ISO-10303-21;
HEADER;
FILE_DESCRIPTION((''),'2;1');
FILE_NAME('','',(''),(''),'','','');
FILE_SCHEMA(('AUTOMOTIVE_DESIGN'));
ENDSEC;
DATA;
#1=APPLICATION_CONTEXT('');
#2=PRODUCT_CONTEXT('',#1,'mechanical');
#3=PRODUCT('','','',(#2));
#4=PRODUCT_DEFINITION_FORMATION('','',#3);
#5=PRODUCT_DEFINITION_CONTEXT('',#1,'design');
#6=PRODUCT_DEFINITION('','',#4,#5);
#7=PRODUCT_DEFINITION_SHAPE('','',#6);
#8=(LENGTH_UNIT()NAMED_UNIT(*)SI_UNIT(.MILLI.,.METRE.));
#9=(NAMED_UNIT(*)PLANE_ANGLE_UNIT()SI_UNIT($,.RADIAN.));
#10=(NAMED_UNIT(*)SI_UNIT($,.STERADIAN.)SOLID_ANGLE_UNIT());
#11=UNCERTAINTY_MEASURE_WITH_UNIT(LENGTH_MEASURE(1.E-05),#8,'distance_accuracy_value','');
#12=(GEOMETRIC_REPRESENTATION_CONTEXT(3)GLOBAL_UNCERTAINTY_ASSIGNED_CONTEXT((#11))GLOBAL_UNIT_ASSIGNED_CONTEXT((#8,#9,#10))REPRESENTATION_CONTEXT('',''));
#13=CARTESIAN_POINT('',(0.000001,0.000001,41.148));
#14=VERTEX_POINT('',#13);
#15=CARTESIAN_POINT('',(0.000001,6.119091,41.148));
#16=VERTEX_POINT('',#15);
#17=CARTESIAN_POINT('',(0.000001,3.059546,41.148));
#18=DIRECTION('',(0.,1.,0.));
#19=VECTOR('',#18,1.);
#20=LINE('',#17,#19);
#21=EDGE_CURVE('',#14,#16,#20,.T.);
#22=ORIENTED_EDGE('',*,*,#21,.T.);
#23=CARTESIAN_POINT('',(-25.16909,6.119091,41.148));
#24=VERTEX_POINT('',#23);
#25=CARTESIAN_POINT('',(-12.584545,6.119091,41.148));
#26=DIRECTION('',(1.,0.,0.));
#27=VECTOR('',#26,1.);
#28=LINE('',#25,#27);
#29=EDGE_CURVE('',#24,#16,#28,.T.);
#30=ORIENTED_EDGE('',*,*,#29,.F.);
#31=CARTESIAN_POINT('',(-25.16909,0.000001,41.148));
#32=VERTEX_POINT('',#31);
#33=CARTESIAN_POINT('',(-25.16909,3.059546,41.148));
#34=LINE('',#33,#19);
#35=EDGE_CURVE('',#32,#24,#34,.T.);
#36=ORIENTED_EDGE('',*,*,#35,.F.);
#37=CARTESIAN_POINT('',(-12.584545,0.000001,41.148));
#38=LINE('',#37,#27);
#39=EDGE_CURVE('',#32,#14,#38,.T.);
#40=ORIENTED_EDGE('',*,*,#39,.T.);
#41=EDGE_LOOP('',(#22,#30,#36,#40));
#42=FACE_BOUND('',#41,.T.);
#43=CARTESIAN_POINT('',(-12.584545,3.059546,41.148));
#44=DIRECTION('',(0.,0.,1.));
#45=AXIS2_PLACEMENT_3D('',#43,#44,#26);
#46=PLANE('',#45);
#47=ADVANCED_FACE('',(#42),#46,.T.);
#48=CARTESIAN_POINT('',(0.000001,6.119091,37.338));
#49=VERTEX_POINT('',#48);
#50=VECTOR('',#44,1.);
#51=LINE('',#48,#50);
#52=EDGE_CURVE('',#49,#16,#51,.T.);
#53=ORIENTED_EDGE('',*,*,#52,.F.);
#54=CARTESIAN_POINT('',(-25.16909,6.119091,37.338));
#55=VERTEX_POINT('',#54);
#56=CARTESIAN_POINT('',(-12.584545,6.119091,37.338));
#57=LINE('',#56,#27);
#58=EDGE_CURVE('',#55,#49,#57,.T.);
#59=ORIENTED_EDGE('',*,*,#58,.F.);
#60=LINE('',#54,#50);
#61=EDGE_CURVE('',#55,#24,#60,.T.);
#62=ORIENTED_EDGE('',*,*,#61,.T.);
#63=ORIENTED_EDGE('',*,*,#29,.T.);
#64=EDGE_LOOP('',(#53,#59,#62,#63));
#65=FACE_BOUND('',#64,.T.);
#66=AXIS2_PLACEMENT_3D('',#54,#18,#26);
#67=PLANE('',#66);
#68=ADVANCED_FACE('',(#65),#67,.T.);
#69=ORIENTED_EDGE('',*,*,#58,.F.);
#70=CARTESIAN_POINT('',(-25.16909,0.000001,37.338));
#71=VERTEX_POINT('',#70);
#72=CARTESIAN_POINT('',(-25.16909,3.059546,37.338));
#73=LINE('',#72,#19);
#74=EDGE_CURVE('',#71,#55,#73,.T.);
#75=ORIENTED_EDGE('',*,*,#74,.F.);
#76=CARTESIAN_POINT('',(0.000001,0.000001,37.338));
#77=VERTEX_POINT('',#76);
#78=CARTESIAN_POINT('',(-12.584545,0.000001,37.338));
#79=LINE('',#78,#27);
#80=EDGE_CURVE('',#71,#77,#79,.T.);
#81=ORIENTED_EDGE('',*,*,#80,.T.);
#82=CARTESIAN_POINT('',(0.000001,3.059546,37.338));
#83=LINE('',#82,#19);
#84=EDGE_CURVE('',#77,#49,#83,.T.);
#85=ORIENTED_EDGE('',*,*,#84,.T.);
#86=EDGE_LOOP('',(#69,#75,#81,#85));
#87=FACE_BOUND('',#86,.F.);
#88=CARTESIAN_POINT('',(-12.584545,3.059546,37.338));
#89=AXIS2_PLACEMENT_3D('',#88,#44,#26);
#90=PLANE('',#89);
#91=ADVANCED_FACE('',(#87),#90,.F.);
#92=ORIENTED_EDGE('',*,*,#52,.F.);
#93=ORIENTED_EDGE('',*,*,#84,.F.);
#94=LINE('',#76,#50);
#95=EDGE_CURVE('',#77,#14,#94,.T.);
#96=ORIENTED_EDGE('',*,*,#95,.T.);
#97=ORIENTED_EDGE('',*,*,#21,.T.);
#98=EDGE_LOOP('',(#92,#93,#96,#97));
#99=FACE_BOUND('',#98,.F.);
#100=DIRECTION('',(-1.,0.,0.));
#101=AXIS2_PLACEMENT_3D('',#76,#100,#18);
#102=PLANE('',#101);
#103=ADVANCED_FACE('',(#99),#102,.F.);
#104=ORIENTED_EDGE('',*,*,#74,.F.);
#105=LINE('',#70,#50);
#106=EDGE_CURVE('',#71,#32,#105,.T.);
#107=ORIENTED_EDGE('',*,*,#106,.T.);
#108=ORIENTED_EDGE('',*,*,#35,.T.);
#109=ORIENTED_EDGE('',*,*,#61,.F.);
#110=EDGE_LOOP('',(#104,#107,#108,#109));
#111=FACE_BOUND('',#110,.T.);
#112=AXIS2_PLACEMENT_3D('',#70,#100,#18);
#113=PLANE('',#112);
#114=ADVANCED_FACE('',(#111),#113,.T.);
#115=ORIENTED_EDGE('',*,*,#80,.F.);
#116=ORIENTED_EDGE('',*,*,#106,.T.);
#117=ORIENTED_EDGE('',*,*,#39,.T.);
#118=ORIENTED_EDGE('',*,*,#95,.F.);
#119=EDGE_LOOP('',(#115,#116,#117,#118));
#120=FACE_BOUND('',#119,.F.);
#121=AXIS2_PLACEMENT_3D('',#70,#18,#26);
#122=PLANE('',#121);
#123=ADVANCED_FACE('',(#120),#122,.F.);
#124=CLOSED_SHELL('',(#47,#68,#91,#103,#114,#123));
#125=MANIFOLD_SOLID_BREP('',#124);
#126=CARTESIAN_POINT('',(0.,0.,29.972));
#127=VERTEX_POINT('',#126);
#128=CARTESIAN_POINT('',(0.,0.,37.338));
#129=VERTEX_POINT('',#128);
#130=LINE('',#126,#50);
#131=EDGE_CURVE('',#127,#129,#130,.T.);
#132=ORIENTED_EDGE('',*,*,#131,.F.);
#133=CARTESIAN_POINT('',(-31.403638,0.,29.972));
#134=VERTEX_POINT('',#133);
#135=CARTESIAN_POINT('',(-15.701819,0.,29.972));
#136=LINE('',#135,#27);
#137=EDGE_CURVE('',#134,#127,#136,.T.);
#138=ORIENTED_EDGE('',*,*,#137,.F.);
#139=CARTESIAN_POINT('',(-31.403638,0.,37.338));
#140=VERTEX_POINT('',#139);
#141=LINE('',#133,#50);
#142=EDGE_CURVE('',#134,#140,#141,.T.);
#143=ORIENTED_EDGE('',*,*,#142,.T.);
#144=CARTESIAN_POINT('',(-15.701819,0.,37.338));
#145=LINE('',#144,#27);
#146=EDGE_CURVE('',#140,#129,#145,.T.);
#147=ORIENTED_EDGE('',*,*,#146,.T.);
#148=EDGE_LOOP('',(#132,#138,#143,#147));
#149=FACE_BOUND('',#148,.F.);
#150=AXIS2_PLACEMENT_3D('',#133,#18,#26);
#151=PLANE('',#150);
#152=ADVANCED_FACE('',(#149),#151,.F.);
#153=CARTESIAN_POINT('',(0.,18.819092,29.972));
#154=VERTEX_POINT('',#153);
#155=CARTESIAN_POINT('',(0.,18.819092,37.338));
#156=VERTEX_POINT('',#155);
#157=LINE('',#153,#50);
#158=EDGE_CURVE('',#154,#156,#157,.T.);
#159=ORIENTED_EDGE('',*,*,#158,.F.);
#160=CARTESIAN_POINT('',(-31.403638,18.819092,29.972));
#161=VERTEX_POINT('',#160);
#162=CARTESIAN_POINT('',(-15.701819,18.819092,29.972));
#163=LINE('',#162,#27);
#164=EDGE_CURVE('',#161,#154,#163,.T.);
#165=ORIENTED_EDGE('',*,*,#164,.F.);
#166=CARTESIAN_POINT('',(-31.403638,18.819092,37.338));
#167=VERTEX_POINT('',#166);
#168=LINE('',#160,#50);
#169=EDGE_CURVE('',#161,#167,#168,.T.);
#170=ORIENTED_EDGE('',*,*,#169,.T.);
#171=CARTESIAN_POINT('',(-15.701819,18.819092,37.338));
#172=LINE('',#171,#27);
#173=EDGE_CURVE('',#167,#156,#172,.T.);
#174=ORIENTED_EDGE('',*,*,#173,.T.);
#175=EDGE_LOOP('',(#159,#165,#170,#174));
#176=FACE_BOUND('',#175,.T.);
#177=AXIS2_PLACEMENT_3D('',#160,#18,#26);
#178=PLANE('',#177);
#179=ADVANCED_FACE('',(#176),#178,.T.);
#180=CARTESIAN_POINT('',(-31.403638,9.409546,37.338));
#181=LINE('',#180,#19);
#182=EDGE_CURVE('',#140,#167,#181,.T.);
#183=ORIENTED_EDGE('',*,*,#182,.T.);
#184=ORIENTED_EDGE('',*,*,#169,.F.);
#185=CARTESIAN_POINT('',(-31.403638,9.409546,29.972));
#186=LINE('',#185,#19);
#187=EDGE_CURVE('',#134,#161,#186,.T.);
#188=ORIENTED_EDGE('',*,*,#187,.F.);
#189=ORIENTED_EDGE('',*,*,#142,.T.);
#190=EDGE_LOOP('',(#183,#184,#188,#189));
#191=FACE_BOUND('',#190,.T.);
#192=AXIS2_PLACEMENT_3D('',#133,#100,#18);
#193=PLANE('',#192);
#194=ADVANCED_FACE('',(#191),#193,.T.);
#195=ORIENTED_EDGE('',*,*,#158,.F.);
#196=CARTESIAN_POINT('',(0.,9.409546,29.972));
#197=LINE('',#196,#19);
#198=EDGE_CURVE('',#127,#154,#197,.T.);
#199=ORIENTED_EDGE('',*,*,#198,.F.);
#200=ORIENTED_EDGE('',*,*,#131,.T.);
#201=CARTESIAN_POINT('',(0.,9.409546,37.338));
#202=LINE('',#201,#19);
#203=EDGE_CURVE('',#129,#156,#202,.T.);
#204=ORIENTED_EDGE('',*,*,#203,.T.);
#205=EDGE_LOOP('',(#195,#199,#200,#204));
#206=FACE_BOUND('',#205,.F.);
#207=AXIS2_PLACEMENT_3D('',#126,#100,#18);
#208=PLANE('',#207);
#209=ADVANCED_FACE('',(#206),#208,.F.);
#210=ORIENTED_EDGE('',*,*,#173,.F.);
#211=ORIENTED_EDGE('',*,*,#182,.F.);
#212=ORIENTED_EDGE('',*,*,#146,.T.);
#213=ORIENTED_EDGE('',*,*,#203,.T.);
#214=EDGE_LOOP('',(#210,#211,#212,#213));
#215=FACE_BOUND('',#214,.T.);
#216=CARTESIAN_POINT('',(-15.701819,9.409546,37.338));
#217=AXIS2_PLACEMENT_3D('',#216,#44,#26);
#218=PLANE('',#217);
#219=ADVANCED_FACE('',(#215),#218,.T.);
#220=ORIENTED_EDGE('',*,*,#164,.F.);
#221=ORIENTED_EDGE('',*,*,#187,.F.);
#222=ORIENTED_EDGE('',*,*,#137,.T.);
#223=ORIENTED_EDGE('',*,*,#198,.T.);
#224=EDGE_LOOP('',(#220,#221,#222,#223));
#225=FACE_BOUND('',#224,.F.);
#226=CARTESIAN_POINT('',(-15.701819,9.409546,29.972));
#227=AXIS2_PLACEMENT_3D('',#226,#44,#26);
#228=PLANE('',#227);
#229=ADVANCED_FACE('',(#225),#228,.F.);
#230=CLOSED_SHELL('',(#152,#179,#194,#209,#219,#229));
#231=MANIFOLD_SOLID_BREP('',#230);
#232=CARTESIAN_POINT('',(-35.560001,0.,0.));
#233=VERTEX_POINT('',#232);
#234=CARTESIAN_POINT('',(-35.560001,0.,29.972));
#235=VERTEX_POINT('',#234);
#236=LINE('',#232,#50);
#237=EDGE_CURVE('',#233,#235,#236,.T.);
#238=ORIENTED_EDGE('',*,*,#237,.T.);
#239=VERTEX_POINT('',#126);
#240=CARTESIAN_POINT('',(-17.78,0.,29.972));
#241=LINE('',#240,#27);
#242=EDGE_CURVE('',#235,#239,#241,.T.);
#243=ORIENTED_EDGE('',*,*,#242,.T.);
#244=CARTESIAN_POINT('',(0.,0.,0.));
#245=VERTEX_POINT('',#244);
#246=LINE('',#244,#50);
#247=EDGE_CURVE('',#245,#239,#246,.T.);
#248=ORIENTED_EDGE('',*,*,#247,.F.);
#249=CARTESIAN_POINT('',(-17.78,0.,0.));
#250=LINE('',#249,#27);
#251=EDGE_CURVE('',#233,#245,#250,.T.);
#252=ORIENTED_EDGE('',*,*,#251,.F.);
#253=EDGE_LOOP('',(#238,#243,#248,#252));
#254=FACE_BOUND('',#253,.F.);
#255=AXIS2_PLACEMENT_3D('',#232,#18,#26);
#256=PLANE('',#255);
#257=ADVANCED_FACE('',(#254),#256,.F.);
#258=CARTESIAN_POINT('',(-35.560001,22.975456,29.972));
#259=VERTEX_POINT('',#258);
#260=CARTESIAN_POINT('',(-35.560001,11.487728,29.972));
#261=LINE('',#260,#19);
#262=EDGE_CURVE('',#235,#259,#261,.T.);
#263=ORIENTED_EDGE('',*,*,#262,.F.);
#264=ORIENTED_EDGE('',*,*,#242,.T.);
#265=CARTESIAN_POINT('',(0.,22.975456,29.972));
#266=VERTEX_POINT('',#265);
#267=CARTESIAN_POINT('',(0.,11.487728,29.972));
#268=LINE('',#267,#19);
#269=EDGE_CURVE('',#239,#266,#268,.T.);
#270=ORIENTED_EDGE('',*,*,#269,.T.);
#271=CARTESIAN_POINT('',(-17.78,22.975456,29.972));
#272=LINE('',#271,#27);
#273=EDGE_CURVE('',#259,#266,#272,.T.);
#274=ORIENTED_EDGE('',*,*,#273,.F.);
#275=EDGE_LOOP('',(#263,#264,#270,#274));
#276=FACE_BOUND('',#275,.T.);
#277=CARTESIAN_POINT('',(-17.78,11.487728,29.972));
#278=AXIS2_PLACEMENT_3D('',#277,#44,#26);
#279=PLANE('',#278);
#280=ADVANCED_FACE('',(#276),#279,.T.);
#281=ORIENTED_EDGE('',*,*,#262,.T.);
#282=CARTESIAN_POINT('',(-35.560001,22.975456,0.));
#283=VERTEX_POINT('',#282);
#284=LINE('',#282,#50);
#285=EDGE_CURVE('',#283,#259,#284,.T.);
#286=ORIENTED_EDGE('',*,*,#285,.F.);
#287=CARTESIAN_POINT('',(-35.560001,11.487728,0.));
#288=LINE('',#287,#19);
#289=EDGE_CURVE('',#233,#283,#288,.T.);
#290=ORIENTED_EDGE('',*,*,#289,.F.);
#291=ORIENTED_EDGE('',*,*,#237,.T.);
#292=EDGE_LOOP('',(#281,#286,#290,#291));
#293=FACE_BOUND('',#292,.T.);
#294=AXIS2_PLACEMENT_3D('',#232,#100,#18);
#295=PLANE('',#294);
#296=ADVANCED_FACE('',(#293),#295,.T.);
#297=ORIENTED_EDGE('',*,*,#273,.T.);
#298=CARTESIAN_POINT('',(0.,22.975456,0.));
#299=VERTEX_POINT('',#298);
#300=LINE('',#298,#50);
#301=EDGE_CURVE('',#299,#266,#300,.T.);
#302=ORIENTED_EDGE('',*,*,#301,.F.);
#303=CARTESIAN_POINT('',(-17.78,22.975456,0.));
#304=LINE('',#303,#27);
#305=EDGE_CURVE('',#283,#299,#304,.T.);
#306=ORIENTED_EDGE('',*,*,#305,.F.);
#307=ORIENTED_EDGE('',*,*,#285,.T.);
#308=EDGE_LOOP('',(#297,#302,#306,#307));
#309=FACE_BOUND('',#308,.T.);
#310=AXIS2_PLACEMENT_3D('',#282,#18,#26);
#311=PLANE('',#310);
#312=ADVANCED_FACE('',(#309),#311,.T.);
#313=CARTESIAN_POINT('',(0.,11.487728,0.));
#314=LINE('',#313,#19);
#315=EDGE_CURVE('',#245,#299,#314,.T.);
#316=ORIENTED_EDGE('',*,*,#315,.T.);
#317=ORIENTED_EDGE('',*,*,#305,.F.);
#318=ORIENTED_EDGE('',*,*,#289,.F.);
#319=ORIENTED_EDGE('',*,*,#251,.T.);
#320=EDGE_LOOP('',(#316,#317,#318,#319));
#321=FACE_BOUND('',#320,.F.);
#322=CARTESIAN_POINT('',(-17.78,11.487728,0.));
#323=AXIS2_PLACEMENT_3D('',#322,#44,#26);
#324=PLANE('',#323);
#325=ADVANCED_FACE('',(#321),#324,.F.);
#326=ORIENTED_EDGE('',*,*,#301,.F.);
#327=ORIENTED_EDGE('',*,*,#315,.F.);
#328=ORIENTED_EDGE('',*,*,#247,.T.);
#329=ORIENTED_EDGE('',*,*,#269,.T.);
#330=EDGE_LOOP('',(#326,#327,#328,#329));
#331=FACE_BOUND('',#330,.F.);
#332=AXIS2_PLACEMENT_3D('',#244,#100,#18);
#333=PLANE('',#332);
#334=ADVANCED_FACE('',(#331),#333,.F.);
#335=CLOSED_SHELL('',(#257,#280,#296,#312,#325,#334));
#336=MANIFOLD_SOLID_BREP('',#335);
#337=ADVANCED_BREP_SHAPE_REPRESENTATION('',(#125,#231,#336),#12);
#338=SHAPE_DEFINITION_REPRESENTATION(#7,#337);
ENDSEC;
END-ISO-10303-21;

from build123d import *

# Parameters (mm, degrees)
F0_W     = 35.560001
F0_H     = 22.975456
F1_DEPTH = 29.972
F2_W     = 31.403638
F2_H     = 18.819092
F3_DEPTH = 7.366
F4_W     = 25.169091
F4_H     = 6.119091
F5_DEPTH = 3.81


with BuildPart() as f1:
    # F0 (on Top) → F1 (new body)
    with BuildSketch(Plane.XY):
        with Locations((-17.78, 11.487728)):
            Rectangle(F0_W, F0_H)
    extrude(amount=F1_DEPTH)


with BuildPart() as f3:
    # F2 (on face) → F3 (new body)
    with BuildSketch(Plane.XY.offset(29.972)):
        with Locations((-15.701819, 9.409546)):
            Rectangle(F2_W, F2_H)
    extrude(amount=F3_DEPTH)


with BuildPart() as f5:
    # F4 (on face) → F5 (new body)
    with BuildSketch(Plane.XY.offset(37.338)):
        with Locations((-12.584545, 3.059546)):
            Rectangle(F4_W, F4_H)
    extrude(amount=F5_DEPTH)


solid = Compound([f1.part, f3.part, f5.part])
